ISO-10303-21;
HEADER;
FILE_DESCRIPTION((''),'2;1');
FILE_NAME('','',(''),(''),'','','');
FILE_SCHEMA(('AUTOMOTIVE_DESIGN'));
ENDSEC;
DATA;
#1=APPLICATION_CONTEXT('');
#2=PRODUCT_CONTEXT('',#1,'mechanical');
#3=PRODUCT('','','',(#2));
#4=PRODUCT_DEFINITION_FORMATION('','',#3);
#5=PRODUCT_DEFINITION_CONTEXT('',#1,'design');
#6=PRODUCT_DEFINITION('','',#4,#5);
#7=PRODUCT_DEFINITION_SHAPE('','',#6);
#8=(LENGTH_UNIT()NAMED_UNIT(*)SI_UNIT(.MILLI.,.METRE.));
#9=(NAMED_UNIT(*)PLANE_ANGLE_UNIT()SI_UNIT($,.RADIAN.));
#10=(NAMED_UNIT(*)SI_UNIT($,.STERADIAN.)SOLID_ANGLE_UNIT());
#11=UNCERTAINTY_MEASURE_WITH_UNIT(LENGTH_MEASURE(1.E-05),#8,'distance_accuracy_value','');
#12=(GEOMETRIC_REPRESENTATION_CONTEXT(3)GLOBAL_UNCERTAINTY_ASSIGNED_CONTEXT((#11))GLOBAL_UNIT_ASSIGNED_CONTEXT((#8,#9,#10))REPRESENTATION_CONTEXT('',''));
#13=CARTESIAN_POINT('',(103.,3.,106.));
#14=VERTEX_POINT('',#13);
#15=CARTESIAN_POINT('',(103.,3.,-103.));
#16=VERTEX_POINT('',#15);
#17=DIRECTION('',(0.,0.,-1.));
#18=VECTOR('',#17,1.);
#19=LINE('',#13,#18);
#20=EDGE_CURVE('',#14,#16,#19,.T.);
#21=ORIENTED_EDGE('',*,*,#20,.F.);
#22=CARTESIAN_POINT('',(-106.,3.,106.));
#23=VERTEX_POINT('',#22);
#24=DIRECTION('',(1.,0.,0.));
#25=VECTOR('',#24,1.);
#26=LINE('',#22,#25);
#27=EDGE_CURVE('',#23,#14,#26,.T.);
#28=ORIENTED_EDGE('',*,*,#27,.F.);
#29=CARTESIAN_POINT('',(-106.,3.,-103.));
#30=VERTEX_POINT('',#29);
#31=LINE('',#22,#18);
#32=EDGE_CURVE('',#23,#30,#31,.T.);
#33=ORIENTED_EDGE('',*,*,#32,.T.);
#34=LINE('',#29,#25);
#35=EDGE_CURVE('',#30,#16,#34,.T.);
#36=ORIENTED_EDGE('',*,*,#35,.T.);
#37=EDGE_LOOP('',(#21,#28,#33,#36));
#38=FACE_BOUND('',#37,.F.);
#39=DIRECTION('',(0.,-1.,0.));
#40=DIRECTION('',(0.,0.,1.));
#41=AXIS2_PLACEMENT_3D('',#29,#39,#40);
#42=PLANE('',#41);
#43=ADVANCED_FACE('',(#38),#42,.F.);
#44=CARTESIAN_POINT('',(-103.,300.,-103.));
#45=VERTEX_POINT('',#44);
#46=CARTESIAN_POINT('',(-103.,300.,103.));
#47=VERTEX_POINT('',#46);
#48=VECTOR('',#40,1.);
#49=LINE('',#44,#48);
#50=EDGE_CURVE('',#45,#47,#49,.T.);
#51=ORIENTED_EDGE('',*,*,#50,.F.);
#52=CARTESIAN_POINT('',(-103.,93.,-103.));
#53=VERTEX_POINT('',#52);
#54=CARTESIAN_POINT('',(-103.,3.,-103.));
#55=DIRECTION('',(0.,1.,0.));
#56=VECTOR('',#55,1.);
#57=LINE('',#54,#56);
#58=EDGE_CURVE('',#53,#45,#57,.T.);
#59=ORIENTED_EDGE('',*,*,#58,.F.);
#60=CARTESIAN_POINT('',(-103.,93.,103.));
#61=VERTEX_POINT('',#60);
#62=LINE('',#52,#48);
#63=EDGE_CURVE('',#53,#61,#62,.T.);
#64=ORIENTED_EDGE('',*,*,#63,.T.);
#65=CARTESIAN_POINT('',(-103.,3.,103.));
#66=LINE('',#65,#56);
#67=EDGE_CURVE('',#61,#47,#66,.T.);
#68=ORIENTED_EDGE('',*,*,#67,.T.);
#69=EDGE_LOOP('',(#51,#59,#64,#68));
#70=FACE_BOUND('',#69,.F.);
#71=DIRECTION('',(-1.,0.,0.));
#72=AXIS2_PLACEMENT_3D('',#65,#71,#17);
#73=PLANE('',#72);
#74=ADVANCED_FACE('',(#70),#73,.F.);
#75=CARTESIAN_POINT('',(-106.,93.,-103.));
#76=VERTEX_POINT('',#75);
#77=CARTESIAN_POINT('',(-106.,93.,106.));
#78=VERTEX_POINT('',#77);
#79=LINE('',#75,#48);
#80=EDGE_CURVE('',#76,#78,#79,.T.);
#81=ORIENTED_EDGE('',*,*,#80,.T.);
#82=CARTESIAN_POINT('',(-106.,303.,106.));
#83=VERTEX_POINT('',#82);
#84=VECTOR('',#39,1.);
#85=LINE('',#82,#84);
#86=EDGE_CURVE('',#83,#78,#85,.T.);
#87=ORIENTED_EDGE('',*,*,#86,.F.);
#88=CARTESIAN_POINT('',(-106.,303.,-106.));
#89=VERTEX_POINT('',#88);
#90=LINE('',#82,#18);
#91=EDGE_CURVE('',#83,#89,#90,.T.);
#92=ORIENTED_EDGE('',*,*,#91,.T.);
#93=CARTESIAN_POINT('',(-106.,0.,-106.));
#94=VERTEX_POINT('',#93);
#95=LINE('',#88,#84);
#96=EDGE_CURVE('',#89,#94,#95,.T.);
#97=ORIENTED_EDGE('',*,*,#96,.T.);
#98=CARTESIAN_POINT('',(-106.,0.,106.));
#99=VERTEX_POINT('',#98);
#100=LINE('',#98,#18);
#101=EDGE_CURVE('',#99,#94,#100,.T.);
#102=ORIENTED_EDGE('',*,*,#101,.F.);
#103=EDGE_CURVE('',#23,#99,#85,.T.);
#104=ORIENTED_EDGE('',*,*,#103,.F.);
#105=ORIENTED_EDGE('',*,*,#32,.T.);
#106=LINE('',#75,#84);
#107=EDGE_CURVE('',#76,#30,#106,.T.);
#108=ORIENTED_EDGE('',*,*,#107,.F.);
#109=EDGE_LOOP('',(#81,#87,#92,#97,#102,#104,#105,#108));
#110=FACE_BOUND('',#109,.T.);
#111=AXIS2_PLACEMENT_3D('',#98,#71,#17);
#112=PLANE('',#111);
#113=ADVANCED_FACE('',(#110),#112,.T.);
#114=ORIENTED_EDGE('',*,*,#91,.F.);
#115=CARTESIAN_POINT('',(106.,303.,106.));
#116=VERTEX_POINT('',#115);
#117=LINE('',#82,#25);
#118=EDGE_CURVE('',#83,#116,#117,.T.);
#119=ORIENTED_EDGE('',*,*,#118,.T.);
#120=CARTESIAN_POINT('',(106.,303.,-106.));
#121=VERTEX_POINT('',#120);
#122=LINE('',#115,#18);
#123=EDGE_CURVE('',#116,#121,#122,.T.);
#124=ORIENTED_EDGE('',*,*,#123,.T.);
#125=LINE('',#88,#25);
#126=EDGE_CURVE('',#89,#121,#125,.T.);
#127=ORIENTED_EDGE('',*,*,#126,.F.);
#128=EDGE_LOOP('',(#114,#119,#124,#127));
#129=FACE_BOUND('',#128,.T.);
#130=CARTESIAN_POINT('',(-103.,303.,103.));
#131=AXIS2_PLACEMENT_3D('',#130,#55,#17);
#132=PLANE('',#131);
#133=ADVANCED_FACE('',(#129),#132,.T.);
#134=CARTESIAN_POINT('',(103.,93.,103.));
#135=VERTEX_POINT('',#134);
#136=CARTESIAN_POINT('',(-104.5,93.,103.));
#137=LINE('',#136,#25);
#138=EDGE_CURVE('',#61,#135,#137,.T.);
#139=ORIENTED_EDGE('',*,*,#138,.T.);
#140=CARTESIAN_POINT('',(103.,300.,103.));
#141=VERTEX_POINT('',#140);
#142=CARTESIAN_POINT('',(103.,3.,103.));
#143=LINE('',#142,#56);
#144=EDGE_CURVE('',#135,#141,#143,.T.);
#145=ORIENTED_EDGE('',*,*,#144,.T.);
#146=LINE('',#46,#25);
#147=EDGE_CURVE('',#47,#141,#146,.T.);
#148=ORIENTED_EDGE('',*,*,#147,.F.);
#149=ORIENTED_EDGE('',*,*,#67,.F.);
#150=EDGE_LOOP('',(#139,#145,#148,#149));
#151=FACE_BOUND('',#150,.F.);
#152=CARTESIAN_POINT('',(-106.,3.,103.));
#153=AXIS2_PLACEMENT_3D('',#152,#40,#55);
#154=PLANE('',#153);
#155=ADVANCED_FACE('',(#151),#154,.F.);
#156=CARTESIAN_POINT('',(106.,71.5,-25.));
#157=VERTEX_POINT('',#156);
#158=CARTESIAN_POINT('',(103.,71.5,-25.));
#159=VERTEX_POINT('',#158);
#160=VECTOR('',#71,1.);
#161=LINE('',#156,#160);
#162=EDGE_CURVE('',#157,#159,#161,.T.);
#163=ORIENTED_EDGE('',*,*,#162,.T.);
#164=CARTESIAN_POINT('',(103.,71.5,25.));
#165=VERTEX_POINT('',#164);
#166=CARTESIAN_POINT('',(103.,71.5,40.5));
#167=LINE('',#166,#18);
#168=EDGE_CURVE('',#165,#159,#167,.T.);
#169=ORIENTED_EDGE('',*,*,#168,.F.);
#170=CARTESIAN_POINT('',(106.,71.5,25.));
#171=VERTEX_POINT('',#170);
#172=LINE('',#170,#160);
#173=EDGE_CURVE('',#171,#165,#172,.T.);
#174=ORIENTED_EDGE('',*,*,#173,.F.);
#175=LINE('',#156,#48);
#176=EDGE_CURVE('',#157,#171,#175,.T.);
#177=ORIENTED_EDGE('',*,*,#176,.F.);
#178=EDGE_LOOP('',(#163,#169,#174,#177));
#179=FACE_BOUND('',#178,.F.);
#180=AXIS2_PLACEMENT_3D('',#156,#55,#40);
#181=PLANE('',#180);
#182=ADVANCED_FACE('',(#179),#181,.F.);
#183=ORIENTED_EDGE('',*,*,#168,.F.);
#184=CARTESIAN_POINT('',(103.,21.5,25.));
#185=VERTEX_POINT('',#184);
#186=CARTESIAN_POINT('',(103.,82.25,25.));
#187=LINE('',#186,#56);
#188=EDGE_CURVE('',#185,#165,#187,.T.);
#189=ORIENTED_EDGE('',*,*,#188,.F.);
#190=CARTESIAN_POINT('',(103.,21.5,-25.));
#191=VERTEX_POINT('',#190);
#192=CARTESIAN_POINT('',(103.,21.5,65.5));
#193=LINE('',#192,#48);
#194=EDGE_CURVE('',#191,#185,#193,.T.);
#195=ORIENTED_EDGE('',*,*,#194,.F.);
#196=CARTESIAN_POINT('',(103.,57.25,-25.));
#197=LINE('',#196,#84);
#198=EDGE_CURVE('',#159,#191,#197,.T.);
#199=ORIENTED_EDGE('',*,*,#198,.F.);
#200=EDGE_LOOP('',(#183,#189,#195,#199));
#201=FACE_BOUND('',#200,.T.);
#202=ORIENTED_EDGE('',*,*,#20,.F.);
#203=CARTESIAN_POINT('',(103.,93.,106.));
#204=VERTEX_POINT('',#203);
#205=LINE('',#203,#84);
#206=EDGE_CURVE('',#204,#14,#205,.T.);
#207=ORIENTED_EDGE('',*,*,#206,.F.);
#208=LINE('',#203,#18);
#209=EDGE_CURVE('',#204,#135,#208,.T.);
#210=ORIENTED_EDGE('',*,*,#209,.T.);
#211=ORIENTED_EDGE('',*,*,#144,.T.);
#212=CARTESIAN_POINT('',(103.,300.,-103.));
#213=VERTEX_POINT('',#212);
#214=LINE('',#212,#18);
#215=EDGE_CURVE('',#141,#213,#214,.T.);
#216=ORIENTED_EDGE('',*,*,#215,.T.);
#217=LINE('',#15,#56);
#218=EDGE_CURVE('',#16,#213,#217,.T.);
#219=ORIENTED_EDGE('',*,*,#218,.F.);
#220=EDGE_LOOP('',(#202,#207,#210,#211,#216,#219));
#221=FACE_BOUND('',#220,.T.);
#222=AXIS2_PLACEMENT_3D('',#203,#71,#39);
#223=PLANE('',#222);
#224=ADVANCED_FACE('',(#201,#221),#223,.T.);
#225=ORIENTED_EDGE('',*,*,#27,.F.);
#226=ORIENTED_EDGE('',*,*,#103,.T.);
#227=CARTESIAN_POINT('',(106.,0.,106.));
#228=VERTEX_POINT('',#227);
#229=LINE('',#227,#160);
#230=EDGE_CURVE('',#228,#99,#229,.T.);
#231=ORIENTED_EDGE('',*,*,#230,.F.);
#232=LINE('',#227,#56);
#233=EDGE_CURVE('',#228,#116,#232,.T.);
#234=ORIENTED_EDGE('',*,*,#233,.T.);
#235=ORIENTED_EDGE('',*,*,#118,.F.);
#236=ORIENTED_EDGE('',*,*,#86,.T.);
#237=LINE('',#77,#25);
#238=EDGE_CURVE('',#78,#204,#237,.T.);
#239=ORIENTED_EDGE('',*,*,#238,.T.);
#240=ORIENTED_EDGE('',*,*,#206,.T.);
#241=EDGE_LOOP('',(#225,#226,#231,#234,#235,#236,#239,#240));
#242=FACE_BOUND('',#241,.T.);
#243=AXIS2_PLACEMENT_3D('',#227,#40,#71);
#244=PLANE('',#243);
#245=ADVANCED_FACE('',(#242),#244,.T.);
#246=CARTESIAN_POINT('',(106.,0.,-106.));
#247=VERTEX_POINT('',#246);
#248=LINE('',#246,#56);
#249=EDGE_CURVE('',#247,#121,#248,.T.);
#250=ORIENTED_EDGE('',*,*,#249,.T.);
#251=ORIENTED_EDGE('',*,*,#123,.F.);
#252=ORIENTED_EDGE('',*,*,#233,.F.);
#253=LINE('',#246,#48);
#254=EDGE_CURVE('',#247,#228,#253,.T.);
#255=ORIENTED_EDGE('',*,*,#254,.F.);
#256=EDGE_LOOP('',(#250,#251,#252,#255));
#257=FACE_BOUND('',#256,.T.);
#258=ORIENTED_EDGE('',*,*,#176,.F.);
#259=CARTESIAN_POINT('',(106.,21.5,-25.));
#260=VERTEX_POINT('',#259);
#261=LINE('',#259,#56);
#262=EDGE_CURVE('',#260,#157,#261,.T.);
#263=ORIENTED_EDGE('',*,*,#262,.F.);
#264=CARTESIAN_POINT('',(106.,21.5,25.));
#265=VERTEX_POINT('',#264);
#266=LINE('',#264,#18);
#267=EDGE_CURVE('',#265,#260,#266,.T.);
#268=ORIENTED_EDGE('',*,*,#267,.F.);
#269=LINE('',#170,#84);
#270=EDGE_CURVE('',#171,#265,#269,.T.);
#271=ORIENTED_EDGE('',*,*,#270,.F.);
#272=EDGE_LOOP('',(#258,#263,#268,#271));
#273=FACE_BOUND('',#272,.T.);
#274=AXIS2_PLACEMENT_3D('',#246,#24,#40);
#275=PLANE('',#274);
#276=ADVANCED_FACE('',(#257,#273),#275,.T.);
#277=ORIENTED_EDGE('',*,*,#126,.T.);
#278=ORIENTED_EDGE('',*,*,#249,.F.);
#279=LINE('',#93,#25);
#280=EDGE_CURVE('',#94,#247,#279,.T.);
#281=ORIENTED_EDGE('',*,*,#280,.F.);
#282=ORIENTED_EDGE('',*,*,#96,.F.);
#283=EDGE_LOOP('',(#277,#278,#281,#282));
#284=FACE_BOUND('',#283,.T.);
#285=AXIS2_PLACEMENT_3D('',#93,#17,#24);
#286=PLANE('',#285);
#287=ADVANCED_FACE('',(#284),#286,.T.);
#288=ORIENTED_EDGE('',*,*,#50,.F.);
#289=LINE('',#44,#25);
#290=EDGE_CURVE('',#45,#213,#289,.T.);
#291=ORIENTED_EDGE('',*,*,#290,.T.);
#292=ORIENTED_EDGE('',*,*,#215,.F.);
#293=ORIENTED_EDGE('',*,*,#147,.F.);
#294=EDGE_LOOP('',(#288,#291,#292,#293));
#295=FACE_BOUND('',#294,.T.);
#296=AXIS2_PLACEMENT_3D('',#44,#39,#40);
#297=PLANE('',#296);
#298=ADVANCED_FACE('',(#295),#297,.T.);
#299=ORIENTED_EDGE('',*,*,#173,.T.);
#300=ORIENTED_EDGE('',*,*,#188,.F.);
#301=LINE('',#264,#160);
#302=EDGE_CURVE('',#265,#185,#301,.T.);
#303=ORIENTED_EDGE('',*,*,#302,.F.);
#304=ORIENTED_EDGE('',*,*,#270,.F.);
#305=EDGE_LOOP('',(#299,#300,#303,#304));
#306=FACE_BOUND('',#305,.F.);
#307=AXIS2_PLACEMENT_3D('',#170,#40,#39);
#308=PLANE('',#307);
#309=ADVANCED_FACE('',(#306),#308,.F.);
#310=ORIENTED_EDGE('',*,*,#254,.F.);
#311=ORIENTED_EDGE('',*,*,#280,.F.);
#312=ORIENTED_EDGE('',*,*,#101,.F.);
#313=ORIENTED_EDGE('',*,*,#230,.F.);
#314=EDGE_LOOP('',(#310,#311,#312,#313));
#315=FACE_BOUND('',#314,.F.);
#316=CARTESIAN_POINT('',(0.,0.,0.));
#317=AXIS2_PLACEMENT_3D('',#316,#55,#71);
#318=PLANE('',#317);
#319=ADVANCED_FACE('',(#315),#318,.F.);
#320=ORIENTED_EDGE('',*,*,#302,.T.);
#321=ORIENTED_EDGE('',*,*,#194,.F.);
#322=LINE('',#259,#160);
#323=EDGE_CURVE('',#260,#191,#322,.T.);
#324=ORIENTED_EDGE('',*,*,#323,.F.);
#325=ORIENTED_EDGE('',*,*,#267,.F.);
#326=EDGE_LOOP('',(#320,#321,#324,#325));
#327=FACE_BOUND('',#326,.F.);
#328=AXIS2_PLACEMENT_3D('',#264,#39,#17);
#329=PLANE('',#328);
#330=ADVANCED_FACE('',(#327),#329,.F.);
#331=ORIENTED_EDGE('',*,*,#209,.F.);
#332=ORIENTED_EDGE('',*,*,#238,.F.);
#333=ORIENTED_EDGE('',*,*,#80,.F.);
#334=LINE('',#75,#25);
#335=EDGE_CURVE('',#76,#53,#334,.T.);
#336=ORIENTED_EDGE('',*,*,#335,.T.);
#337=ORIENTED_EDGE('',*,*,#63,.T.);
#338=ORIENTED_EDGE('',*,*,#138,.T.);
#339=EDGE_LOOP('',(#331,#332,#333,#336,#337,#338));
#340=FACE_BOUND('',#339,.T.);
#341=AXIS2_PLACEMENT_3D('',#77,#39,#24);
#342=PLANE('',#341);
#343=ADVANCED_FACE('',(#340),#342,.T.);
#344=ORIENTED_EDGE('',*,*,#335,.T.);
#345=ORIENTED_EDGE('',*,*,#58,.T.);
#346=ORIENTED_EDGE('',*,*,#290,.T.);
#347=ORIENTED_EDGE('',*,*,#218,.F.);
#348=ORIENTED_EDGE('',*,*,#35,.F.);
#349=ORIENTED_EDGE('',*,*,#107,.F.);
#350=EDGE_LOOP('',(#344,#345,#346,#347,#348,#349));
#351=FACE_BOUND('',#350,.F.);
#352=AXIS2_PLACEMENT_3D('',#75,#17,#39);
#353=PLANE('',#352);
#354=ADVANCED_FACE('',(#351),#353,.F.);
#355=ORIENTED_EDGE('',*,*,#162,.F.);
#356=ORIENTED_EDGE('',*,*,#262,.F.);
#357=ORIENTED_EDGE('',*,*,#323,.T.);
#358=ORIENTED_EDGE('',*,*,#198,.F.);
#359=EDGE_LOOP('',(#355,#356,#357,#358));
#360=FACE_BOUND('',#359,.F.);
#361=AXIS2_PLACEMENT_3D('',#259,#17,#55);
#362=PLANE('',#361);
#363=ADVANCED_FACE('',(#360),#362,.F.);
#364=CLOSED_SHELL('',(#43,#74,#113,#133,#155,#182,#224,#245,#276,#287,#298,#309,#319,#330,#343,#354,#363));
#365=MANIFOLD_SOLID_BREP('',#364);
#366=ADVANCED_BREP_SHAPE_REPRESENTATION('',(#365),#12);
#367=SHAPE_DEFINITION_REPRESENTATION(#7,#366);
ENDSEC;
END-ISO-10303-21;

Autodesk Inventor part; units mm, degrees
ref_plane "YZ Plane" through (0, 0, 0) normal (1, 0, 0) x (0, 1, 0)
ref_plane "XZ Plane" through (0, 0, 0) normal (0, 1, 0) x (-1, 0, 0)
ref_plane "XY Plane" through (0, 0, 0) normal (0, 0, 1) x (1, 0, 0)
sketch "Sketch1" plane through (0, 0, 0) normal (0, 1, 0) x (-1, 0, 0)
  line L0 (-106, 106) -> (106, 106)
  line L1 (106, 106) -> (106, -106)
  line L2 (106, -106) -> (-106, -106)
  line L3 (-106, -106) -> (-106, 106)
  line L4 (-106, 106) -> (106, -106) construction
  line L5 (106, 106) -> (-106, -106) construction
  point P0 (0, 0)
  dimension "d0" = 212
  dimension "d1" = 212
extrude "Extrusion1" add sketch "Sketch1" along normal blind 3
sketch "Sketch2" plane through (0, 3, 0) normal (0, 1, 0) x (1, 0, 0)
  line L0 (-106, 106) -> (-106, -106) projected
  line L1 (106, 106) -> (-106, 106) projected
  line L2 (-106, -106) -> (-103, -106)
  line L3 (-103, -106) -> (-103, 106)
  line L4 (-103, 106) -> (-106, 106)
  line L5 (-106, 106) -> (-106, -106)
  line L6 (106, -106) -> (106, 106) projected
  line L7 (-106, -106) -> (106, -106) projected
  line L8 (106, 106) -> (103, 106)
  line L9 (103, 106) -> (103, -106)
  line L10 (103, -106) -> (106, -106)
  line L11 (106, -106) -> (106, 106)
  line L12 (106, 106) -> (-106, 106)
  line L13 (-106, 106) -> (-106, 103)
  line L14 (-106, 103) -> (106, 103)
  line L15 (106, 103) -> (106, 106)
  line L16 (-106, -106) -> (106, -106)
  line L17 (106, -106) -> (106, -103)
  line L18 (106, -103) -> (-106, -103)
  line L19 (-106, -103) -> (-106, -106)
  point P0 (0, 0)
  point P1 (-103, 103)
  point P2 (103, 103)
  point P3 (103, -103)
  point P4 (-103, -103)
  dimension "d4" = 3
  dimension "d5" = 3
  dimension "d6" = 3
  dimension "d7" = 3
extrude "Extrusion2" add sketch "Sketch2" along normal blind 300 contours L1 L3 L14 L0 | L14 L3 L18 L0 | L1 L9 L14 L3 | L18 L3 L2 L0 | L1 L6 L14 L9 | L18 L9 L7 L3 | L14 L6 L18 L9 | L18 L6 L7 L9
sketch "Sketch3" plane through (-103, 3, 103) normal (1, 0, 0) x (0, 0, -1)
  line L0 (0, 0) -> (0, 300) projected
  line L1 (206, 0) -> (206, 300) projected
  line L2 (0, 300) -> (206, 300)
  line L3 (206, 300) -> (206, 297)
  line L4 (206, 297) -> (0, 297)
  line L5 (0, 297) -> (0, 300)
  point P0 (103, -3)
  dimension "d10" = 3
extrude "Extrusion3" add sketch "Sketch3" along normal up to surface (209 mm away)
sketch "Sketch4" plane through (-106, 0, -106) normal (-1, 0, 0) x (0, 0, 1)
  line L0 (3, 3) -> (209, 3) projected
  line L1 (3, 3) -> (209, 3)
  line L2 (209, 3) -> (209, 93)
  line L3 (209, 93) -> (3, 93)
  line L4 (3, 93) -> (3, 3)
  point P0 (106, 0)
  dimension "d13" = 90
extrude "Extrusion4" cut sketch "Sketch4" against normal blind 10
sketch "Sketch5" plane through (-106, 0, 106) normal (0, 0, 1) x (1, 0, 0)
  line L0 (0, 93) -> (3, 93) projected
  line L1 (0, 3) -> (209, 3) projected
  line L2 (0, 93) -> (209, 93)
  line L3 (209, 93) -> (209, 3)
  line L4 (209, 3) -> (0, 3)
  line L5 (0, 3) -> (0, 93)
  point P0 (106, 0)
extrude "Extrusion5" cut sketch "Sketch5" against normal blind 10
sketch "Sketch6" plane through (106, 0, 106) normal (1, 0, 0) x (0, 0, -1)
  line L0 (3, 93) -> (209, 93) projected
  line L1 (0, 303) -> (212, 303) projected
  line L2 (0, 0) -> (0, 303) projected
  line L3 (0, 0) -> (212, 0) projected
  line L4 (212, 0) -> (212, 303) projected
  line L5 (212, 0) -> (0, 0)
  line L6 (0, 0) -> (0, 93)
  line L7 (0, 93) -> (212, 93)
  line L8 (212, 93) -> (212, 0)
  line L9 (212, 93) -> (0, 0) construction
  line L10 (0, 93) -> (0, 3) construction
  line L11 (0, 93) -> (212, 0) construction
  line L12 (131, 71.5) -> (81, 71.5)
  line L13 (81, 71.5) -> (81, 21.5)
  line L14 (81, 21.5) -> (131, 21.5)
  line L15 (131, 21.5) -> (131, 71.5)
  line L16 (131, 71.5) -> (81, 21.5) construction
  line L17 (81, 71.5) -> (131, 21.5) construction
  point P0 (106, 0)
  point P1 (106, 46.5)
  dimension "d18" = 50
  dimension "d19" = 50
extrude "Extrusion6" cut sketch "Sketch6" against normal blind 10 contours L15 L14 L13 L12
properties part number "Hot Box Case" material "Polycarbonate, Smoke"
